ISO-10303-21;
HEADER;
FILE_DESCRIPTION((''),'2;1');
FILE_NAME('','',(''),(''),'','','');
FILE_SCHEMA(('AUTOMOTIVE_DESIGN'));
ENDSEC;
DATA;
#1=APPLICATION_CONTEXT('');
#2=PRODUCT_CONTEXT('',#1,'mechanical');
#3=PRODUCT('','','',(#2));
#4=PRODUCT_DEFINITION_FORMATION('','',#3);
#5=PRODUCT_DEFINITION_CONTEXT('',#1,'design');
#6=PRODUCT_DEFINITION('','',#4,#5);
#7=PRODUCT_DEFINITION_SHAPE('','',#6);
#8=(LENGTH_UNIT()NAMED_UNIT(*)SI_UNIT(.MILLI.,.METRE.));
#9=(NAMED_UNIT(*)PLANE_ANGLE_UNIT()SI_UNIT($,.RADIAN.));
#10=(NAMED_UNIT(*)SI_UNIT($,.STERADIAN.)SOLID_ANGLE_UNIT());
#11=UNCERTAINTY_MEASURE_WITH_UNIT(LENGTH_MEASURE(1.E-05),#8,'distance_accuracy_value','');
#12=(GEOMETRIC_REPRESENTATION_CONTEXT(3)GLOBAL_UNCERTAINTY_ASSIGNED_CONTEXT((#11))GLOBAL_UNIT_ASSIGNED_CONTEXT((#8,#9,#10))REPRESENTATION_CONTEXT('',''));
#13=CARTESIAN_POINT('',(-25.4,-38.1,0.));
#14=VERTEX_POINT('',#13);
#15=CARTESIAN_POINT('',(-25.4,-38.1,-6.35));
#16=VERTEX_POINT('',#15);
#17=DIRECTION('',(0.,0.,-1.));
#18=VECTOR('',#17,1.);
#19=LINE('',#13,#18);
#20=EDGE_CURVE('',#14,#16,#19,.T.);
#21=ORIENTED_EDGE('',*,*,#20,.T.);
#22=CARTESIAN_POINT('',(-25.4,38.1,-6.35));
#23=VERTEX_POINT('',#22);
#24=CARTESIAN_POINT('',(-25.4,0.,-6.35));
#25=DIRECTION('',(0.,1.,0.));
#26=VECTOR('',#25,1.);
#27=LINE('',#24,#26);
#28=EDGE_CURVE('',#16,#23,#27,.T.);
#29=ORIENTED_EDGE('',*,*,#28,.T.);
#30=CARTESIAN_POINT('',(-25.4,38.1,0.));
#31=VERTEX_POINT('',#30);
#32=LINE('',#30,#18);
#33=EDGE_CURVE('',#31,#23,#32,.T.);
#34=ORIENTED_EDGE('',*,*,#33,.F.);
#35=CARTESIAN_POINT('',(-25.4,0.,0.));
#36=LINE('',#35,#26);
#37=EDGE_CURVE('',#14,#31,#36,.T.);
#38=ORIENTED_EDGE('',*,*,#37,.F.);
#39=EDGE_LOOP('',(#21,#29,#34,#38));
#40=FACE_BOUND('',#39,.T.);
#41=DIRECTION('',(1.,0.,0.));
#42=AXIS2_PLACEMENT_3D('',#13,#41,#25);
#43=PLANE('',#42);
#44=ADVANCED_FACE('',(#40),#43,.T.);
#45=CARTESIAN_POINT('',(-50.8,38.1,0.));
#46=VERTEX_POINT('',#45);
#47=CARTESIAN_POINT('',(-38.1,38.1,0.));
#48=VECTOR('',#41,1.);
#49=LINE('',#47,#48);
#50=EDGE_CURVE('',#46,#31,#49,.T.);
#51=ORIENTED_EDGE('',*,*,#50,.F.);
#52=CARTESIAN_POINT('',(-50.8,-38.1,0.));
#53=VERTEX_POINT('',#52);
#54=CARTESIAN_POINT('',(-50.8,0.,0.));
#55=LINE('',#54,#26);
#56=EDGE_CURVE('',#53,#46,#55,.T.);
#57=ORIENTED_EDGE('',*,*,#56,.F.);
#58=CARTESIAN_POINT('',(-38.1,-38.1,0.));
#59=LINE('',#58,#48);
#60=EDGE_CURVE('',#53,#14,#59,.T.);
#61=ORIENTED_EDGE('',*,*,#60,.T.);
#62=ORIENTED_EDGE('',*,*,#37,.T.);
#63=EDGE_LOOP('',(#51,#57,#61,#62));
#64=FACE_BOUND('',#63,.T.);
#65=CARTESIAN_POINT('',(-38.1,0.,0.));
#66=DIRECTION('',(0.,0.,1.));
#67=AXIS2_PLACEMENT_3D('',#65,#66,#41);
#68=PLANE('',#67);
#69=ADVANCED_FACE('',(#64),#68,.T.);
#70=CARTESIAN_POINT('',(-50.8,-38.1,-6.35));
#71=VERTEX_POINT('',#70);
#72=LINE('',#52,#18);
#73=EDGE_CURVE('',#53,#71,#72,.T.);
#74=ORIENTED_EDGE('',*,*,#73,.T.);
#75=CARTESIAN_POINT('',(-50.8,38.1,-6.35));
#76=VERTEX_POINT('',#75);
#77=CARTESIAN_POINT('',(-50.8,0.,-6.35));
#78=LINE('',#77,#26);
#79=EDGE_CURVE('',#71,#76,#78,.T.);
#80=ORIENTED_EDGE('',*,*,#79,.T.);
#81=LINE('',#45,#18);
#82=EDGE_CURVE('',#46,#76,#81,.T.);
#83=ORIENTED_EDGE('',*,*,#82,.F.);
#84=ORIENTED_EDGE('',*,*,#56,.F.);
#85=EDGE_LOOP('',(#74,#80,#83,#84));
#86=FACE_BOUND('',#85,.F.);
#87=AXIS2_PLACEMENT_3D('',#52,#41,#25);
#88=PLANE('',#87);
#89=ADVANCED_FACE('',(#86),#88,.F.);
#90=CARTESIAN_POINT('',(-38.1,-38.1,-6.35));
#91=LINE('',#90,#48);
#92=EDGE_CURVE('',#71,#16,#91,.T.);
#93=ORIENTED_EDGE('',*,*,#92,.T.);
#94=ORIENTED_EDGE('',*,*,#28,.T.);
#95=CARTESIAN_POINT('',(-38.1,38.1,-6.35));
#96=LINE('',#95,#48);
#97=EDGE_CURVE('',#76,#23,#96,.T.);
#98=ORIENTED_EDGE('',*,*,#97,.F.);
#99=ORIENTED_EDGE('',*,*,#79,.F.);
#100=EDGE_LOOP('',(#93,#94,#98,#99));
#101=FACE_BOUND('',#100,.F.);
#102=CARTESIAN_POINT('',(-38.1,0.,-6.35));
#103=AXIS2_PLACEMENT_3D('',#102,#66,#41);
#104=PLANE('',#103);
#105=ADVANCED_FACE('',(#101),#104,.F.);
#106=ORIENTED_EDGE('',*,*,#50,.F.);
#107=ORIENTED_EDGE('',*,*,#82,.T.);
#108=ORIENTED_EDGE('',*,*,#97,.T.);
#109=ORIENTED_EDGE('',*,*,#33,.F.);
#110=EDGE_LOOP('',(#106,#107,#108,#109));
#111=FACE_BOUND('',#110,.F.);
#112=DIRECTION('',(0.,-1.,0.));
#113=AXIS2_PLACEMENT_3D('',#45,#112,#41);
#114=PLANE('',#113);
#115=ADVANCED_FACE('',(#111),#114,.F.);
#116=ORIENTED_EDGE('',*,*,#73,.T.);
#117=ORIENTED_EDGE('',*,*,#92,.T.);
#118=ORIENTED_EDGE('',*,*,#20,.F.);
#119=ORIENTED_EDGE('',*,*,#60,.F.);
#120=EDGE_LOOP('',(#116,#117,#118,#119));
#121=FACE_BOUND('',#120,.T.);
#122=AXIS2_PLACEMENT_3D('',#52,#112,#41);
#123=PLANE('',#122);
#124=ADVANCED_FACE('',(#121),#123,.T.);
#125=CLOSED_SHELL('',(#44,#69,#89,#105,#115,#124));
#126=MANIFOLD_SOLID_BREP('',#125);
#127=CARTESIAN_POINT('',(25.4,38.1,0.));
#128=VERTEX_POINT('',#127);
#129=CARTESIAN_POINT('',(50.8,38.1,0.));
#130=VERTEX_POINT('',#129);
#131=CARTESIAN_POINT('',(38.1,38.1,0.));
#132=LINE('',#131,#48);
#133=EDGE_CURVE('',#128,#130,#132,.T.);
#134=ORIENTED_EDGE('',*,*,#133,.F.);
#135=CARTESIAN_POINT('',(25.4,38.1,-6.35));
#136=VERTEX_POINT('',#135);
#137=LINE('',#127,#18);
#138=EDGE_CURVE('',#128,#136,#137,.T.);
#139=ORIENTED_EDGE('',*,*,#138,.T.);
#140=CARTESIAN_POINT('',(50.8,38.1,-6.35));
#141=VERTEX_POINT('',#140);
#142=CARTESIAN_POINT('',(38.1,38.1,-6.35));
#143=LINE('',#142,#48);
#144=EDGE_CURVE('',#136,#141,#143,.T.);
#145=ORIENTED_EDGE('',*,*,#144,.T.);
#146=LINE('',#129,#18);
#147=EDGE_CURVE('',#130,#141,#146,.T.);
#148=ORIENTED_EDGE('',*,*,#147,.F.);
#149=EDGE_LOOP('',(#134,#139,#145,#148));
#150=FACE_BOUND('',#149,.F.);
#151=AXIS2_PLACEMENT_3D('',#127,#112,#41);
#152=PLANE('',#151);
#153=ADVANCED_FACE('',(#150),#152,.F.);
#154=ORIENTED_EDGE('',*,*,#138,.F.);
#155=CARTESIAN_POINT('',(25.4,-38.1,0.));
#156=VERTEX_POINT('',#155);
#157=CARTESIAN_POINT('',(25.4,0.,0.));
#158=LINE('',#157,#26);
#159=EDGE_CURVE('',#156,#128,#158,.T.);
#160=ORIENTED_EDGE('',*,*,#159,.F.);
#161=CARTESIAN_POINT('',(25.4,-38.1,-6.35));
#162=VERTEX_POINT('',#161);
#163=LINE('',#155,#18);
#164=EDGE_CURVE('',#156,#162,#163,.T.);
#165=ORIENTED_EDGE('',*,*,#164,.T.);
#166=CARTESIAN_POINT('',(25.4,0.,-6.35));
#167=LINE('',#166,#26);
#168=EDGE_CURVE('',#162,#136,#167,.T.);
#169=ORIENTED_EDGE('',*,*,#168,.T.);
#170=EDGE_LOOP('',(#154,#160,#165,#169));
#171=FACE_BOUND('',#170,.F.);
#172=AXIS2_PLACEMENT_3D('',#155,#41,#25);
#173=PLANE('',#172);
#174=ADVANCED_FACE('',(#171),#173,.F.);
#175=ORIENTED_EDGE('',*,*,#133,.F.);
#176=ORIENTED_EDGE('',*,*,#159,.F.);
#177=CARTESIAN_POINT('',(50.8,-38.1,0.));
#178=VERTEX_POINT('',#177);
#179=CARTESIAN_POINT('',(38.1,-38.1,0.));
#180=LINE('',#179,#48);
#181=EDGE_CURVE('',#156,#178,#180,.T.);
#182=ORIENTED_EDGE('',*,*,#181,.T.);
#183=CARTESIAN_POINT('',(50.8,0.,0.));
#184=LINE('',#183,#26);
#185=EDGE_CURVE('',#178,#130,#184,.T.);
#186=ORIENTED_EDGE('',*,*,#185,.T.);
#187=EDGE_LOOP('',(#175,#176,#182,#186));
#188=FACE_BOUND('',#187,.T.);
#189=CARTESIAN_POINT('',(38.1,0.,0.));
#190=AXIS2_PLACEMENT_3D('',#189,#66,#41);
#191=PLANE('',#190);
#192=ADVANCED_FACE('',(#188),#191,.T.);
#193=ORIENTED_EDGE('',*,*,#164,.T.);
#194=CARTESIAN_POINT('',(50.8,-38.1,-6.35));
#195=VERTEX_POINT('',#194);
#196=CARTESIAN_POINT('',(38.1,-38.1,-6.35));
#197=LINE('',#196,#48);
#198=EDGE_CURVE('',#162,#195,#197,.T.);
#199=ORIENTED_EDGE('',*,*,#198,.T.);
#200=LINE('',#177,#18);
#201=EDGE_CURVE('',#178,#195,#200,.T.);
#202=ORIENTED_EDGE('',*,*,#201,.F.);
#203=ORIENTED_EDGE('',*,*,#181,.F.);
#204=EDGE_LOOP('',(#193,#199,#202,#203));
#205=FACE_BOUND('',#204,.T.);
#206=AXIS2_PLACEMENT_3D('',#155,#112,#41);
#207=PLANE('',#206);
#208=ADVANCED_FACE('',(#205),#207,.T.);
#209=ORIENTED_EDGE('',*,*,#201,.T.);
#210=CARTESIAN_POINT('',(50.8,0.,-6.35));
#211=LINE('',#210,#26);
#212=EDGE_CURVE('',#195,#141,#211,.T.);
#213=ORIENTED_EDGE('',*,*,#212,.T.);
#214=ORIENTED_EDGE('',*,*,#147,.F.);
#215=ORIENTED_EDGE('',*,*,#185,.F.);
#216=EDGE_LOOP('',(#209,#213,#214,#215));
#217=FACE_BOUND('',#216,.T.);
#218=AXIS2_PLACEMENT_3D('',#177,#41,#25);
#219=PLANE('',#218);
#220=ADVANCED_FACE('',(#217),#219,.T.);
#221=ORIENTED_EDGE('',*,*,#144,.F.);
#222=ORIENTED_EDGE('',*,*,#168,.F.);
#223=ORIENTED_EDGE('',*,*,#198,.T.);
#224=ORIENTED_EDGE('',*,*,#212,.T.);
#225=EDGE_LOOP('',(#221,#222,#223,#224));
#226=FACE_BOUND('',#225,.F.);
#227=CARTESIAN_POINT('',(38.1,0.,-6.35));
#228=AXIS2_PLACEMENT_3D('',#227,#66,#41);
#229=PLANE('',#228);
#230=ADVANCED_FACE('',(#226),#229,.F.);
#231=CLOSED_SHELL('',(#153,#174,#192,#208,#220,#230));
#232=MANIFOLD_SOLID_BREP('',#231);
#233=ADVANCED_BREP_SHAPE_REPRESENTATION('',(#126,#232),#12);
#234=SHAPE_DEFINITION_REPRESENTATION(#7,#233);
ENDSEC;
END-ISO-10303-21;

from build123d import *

# Parameters (mm, degrees)
F0_W     = 25.4
F0_H     = 76.2
F1_DEPTH = 6.35


with BuildPart() as f1:
    # F0 (on Top) → F1 (new body)
    with BuildSketch(Plane.XY):
        with Locations((-38.1, 0)):
            Rectangle(F0_W, F0_H)
        with Locations((38.1, 0)):
            Rectangle(F0_W, F0_H)
    extrude(amount=-F1_DEPTH)


solid = f1.part
